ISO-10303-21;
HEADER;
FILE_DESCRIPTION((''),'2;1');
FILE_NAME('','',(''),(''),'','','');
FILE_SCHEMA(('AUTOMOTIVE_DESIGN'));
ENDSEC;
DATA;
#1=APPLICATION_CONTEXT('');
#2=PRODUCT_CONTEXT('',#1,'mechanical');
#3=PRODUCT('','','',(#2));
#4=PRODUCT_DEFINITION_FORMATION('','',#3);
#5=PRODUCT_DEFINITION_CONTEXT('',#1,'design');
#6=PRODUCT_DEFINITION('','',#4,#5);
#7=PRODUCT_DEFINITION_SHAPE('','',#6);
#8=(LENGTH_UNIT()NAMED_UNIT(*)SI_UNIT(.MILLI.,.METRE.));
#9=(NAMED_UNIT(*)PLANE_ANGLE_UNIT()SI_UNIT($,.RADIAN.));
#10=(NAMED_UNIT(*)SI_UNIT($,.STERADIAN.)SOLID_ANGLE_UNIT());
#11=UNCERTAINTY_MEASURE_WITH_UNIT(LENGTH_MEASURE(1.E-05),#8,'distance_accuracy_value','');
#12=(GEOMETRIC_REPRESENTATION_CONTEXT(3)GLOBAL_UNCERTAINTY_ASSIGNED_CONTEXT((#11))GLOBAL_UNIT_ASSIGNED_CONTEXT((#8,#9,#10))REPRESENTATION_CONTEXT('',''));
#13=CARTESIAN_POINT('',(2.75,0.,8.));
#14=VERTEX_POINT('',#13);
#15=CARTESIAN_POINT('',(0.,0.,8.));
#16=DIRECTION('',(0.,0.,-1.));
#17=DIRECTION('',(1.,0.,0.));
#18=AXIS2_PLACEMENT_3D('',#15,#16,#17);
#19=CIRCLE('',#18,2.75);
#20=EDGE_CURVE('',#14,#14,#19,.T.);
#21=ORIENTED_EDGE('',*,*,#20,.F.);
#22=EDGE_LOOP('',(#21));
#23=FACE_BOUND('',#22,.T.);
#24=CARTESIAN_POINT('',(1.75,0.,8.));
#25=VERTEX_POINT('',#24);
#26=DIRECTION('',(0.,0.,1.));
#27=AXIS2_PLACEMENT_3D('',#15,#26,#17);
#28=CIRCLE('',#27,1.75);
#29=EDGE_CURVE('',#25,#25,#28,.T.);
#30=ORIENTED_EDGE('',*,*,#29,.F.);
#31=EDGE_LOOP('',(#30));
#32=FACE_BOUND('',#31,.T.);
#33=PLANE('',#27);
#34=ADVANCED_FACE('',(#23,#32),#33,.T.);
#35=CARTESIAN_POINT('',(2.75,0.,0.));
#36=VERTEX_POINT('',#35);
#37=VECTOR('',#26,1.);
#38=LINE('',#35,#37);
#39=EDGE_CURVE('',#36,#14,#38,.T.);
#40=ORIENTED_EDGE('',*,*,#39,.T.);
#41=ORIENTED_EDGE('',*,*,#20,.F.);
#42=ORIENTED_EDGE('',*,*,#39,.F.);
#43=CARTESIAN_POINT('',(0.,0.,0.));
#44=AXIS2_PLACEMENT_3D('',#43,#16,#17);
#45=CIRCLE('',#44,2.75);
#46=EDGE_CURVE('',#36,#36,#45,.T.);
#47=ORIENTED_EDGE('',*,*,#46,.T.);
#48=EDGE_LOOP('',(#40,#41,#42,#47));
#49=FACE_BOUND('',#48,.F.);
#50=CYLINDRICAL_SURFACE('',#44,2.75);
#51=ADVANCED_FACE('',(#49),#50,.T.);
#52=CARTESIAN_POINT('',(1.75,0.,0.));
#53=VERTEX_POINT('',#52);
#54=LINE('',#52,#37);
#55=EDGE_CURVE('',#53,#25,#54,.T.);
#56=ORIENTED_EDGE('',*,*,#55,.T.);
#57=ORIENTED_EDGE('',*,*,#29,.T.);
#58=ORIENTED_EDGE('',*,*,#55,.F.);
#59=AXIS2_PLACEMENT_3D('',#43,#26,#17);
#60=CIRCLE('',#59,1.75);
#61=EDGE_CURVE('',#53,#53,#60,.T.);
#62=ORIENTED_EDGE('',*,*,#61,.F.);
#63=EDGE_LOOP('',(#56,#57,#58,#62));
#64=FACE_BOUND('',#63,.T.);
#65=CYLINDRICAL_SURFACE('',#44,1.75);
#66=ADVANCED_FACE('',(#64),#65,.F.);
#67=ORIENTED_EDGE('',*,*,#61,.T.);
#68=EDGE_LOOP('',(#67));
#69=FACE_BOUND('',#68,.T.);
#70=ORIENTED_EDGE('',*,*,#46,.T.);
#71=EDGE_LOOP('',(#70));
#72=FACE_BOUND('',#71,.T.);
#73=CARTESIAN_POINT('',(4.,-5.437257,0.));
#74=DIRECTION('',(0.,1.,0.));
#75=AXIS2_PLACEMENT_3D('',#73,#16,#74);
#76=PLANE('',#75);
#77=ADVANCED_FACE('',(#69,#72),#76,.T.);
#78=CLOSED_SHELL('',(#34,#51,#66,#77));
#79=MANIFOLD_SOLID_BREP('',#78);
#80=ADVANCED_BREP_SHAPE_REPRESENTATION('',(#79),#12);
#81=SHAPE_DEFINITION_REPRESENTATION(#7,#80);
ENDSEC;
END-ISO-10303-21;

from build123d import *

# Parameters (mm, degrees)
SKETCH_R       = 1.75
PAD_DEPTH      = 8
THICKNESS001_T = 1
SKETCH013_W    = 12.495425
SKETCH013_H    = 4.952306
POCKET_DEPTH   = 6.751


with BuildPart() as part:
    # Sketch → Pad (new body)
    with BuildSketch(Plane.XY):
        Circle(SKETCH_R)
    extrude(amount=PAD_DEPTH)

    # Thickness001
    thickness001_openings = [part.faces().sort_by_distance(p)[0] for p in [
        (0, 0, 8),
    ]]
    offset(amount=THICKNESS001_T, openings=thickness001_openings, kind=Kind.INTERSECTION)

    # Sketch013 → Pocket (cut, through all)
    with BuildSketch(Plane.YZ.offset(4)):
        with Locations((0.810456, -2.476153)):
            Rectangle(SKETCH013_W, SKETCH013_H)
    extrude(amount=-POCKET_DEPTH, mode=Mode.SUBTRACT)


solid = part.part
